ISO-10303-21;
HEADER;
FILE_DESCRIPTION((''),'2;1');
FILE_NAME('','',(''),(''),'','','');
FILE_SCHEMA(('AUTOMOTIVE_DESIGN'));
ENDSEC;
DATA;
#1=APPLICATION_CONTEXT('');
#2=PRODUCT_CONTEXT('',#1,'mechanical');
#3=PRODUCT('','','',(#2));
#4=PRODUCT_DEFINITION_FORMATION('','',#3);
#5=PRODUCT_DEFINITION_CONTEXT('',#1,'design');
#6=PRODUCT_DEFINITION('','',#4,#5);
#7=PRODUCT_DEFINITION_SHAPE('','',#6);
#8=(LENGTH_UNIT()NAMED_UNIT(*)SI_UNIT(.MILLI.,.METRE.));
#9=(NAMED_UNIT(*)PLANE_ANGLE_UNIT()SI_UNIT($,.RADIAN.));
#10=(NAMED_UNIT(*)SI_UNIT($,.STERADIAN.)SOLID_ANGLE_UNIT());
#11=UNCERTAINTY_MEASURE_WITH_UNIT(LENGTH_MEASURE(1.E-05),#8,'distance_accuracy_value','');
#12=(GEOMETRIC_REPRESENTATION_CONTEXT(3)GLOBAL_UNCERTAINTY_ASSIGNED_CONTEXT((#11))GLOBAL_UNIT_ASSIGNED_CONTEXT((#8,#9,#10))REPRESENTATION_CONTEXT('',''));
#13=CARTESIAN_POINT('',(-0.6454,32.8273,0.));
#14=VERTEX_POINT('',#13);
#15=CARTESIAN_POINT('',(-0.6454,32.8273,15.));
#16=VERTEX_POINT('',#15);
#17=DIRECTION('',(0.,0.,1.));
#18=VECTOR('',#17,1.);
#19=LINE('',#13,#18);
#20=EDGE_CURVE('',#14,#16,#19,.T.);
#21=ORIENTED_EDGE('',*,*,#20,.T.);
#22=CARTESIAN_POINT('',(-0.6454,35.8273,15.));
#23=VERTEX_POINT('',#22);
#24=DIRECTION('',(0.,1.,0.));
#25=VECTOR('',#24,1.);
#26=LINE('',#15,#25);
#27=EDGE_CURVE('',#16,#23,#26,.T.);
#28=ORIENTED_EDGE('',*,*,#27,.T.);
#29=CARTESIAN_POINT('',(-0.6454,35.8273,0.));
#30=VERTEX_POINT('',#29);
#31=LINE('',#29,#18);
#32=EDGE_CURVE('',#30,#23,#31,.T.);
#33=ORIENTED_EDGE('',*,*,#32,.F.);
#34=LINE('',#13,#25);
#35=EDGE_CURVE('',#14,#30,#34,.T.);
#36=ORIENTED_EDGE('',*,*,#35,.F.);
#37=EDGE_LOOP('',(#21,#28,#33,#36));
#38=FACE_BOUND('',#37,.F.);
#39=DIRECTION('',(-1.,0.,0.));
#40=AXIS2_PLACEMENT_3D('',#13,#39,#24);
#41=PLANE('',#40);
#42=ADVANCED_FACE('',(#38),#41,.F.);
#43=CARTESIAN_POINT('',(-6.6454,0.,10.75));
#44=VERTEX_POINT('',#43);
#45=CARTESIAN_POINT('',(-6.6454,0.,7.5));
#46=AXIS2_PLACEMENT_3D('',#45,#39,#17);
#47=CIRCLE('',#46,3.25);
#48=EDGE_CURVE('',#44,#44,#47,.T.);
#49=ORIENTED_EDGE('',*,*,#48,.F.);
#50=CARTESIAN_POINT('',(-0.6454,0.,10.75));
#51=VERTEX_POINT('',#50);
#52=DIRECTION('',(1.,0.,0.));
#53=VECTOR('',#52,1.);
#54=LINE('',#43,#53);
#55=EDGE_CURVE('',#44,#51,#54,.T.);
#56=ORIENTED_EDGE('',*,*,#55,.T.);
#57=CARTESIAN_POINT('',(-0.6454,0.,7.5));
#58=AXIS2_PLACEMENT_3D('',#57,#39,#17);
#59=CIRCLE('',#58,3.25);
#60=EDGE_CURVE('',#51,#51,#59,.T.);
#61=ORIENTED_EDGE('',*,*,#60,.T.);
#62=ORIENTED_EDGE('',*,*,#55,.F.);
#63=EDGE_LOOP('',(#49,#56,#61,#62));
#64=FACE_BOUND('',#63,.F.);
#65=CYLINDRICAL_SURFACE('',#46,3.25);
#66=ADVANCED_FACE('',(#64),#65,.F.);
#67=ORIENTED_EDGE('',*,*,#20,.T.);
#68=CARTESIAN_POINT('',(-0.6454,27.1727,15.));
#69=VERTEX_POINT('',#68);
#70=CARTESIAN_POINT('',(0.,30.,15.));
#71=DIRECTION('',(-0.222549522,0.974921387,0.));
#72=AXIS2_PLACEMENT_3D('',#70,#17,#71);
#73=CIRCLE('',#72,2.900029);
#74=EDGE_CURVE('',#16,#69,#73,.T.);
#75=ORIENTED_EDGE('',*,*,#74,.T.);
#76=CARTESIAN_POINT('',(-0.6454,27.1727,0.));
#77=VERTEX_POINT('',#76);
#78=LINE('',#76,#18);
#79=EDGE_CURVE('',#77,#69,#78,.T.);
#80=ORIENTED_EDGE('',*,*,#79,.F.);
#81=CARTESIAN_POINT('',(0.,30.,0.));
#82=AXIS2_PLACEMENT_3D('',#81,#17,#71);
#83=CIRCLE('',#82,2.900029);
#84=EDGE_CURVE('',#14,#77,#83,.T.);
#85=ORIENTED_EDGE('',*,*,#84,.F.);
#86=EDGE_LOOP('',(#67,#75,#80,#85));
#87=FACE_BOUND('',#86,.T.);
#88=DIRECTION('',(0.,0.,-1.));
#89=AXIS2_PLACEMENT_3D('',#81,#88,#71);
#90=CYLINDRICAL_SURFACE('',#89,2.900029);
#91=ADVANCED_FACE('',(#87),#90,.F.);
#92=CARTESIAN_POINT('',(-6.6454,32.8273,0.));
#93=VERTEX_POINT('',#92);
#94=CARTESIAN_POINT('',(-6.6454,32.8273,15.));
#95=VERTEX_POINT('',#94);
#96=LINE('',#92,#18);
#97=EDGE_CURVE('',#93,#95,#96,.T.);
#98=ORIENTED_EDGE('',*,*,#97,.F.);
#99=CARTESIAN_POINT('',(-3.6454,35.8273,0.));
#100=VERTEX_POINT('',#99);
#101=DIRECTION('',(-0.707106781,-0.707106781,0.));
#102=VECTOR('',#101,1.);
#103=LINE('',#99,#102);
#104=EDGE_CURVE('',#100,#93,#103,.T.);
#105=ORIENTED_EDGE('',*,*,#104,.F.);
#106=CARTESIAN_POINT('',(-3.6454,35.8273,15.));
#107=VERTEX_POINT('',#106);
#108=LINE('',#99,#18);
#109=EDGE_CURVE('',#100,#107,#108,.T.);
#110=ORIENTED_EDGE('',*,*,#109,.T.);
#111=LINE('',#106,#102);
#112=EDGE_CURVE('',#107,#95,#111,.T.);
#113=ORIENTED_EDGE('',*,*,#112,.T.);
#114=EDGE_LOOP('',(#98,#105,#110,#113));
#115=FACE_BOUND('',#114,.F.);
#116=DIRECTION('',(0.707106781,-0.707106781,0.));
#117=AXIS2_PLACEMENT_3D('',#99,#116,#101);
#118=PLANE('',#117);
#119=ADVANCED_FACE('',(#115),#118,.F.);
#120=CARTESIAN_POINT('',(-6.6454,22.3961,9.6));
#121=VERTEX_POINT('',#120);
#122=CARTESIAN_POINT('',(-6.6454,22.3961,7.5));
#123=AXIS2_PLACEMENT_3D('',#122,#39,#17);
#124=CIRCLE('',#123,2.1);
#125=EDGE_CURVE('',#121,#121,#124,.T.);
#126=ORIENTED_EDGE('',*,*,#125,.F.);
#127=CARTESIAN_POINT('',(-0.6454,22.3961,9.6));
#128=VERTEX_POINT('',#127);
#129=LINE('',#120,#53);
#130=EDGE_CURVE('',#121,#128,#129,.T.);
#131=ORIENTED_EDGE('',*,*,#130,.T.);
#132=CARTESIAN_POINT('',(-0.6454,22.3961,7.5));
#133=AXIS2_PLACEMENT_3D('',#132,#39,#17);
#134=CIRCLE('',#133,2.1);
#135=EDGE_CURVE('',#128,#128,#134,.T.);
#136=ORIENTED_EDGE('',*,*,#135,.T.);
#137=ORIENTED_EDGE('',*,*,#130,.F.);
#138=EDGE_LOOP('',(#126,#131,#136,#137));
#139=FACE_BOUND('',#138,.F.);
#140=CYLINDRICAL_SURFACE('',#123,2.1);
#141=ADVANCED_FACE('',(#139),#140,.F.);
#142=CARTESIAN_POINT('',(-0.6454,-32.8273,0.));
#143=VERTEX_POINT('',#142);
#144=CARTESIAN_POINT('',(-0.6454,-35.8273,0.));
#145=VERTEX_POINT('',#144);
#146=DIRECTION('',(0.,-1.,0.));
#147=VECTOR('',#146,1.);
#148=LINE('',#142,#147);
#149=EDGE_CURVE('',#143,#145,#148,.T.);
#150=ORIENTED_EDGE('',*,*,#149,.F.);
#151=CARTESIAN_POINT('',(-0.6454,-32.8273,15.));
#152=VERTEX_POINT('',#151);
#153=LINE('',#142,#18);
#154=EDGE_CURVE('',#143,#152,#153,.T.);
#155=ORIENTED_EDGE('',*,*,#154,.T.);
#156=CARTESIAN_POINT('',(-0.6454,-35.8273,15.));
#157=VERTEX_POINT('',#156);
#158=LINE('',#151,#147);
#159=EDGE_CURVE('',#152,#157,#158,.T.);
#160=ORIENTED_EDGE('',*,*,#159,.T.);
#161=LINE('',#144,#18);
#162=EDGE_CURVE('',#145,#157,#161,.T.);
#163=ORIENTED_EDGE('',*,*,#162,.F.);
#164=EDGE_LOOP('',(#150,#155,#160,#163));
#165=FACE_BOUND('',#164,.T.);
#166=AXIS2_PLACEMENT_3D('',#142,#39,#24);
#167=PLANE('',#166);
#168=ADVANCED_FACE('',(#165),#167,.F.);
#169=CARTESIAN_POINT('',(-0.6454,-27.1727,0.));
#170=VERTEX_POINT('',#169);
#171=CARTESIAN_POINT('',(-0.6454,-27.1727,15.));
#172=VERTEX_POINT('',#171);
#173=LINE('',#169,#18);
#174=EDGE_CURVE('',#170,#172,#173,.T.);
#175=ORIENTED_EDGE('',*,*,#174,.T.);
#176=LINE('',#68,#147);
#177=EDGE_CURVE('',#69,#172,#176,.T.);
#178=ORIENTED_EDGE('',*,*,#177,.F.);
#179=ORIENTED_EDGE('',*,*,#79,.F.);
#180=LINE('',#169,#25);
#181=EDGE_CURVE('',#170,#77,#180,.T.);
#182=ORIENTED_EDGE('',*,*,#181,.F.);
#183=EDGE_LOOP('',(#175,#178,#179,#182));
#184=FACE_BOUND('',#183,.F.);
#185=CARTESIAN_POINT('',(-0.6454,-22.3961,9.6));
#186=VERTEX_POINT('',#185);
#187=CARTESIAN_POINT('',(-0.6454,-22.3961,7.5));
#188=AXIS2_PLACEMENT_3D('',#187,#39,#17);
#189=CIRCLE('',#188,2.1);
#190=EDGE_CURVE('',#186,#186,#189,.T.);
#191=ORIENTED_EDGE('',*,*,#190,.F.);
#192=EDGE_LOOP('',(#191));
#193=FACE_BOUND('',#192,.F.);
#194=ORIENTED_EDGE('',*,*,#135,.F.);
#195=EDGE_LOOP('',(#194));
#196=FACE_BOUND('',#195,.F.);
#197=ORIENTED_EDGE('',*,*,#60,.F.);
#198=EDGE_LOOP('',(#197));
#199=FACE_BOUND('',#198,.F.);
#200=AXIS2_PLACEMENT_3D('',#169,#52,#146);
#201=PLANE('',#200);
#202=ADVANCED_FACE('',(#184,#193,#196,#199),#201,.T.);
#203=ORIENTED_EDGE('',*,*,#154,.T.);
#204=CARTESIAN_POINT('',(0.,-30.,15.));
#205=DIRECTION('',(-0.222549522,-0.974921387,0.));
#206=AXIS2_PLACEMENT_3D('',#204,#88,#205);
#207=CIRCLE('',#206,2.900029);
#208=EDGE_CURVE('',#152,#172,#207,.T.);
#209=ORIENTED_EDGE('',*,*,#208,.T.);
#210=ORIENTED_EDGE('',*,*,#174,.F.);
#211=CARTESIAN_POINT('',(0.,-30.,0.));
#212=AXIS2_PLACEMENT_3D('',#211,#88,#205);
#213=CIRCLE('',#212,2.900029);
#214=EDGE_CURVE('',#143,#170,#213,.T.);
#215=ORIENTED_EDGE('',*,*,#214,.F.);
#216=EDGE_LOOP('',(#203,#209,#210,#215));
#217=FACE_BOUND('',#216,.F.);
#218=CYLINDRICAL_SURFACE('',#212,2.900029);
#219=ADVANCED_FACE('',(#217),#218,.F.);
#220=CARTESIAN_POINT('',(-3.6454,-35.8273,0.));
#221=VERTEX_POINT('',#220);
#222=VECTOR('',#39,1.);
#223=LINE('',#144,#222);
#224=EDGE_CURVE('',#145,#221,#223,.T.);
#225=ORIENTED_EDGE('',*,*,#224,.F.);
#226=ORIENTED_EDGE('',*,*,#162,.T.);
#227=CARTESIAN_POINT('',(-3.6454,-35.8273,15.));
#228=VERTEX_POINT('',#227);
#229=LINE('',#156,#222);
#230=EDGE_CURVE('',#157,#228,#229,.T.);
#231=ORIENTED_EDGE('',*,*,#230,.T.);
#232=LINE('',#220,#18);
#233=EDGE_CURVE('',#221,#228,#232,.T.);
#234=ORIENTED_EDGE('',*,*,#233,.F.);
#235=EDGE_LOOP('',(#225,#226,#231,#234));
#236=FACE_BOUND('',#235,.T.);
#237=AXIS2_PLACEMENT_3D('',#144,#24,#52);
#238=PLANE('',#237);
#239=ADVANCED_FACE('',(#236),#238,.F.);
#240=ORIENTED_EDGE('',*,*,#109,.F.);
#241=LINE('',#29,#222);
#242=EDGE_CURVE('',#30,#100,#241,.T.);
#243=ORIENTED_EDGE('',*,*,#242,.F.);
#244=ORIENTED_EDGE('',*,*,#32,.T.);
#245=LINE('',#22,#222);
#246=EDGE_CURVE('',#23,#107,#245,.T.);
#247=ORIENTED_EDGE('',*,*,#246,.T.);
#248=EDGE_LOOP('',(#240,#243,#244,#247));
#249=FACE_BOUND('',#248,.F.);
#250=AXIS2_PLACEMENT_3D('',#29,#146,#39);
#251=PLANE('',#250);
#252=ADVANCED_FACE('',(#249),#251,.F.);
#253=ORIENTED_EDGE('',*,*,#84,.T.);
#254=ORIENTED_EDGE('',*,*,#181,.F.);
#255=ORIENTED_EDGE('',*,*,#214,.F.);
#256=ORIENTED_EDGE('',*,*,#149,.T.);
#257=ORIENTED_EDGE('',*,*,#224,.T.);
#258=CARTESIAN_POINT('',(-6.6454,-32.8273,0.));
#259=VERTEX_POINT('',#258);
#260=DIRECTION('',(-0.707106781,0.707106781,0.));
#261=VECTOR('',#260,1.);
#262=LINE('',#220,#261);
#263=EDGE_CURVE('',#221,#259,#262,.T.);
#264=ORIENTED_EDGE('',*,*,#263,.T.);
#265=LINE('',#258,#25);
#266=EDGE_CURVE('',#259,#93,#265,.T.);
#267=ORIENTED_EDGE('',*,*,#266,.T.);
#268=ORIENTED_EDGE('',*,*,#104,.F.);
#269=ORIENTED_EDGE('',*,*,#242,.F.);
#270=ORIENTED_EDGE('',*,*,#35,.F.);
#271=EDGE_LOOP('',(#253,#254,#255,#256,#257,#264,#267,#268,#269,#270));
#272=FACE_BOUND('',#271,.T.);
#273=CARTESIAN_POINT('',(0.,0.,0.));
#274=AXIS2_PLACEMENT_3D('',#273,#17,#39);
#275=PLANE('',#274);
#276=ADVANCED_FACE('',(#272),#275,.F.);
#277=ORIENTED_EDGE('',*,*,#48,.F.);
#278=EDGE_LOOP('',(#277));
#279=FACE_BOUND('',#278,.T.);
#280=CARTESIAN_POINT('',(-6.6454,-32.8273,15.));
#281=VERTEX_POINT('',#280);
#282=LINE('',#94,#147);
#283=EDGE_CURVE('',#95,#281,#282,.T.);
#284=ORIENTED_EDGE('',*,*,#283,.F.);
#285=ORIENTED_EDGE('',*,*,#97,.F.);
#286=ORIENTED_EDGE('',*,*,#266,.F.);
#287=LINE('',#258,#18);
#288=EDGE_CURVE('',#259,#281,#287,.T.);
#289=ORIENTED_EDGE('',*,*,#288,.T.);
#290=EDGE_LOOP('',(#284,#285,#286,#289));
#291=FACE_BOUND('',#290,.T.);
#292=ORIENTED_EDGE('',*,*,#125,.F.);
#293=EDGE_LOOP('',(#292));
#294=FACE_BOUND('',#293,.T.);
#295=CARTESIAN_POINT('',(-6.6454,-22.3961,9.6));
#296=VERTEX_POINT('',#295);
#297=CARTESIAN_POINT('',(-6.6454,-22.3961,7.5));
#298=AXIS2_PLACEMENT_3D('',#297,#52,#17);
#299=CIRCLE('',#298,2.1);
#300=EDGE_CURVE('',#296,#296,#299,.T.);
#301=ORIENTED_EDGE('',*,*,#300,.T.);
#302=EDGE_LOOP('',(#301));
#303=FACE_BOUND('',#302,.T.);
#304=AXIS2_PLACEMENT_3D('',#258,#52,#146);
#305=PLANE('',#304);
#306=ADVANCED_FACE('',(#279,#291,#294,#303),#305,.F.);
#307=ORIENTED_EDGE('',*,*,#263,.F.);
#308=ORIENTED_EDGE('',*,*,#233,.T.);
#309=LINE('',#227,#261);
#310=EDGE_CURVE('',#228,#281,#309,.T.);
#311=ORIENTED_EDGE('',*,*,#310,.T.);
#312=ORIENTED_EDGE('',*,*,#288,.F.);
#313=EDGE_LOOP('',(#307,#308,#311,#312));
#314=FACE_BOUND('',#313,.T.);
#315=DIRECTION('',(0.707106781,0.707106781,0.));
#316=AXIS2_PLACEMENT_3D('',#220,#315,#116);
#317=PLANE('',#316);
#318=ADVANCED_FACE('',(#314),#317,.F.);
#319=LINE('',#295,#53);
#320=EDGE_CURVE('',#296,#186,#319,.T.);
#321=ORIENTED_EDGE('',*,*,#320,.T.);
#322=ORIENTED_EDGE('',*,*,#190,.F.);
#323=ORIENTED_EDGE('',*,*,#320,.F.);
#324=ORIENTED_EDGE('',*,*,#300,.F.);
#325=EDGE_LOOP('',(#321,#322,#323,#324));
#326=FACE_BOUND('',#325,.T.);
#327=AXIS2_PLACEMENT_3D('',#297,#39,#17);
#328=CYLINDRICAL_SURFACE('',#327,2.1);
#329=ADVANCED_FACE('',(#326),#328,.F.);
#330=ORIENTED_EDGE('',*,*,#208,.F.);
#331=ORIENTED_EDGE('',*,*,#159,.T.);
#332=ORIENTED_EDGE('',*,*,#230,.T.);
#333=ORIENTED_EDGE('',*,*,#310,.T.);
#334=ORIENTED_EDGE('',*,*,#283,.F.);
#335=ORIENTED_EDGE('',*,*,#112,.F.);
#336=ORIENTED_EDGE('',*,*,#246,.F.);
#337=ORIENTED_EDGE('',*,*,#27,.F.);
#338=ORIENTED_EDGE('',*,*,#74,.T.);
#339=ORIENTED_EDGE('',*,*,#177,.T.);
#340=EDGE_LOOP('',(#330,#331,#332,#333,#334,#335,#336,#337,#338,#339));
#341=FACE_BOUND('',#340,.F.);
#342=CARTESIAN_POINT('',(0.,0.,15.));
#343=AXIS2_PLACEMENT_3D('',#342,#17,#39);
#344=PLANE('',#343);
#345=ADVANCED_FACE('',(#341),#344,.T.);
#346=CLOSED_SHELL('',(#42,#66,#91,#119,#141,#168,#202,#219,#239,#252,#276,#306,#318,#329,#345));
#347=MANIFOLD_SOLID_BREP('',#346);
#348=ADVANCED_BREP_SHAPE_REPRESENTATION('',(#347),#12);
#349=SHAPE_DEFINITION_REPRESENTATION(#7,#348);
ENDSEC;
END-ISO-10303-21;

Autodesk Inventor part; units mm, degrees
ref_plane "YZ Plane" through (0, 0, 0) normal (1, 0, 0) x (0, 1, 0)
ref_plane "XZ Plane" through (0, 0, 0) normal (0, 1, 0) x (-1, 0, 0)
ref_plane "XY Plane" through (0, 0, 0) normal (0, 0, 1) x (1, 0, 0)
sketch "Szkic1" plane through (0, 0, 0) normal (0, 0, 1) x (1, 0, 0)
  circle A0 centre (0, 30) radius 3 construction
  arc A1 (-0.6454, 32.8273) -> (-0.6454, 27.1727) centre (0, 30) ccw
  line L0 (-0.6454, 27.1727) -> (-0.6454, 0)
  line L1 (-0.6454, 32.8273) -> (-0.6454, 35.8273)
  line L2 (-0.6454, 35.8273) -> (-3.6454, 35.8273)
  line L3 (-3.6454, 35.8273) -> (-6.6454, 32.8273)
  line L4 (-6.6454, 32.8273) -> (-6.6454, 0)
  line L5 (-0.6454, 0) -> (-6.6454, 0)
  point P0 (0, 0)
  dimension "d0" = 6
  dimension "d1" = 30
  dimension "d2" = 5.8
  dimension "d3" = 3
  dimension "d4" = 45
  dimension "d5" = 3
  dimension "d6" = 3
extrude "Wyciągnięcie proste1" add sketch "Szkic1" along normal blind 15
sketch "Szkic2" plane through (-6.6454, 0, 0) normal (-1, 0, 0) x (0, 0, 1)
  circle A0 centre (7.5, 22.3961) radius 2.1
  line L0 (0, 32.8273) -> (15, 32.8273) projected
  point P0 (0, 0)
  point P1 (7.5, 32.8273)
  dimension "d9" = 4.2
extrude "Wyciągnięcie proste2" cut sketch "Szkic2" against normal blind 8
mirror "Odbij1" about plane through (-6.6454, 0, 0) normal (0, -1, 0) of "Wyciągnięcie proste1", "Wyciągnięcie proste2"
sketch "Szkic3" plane through (-6.6454, 32.8273, 0) normal (-1, 0, 0) x (0, 0, 1)
  circle A0 centre (7.5, -32.8273) radius 3.25
  line L0 (0, 3) -> (15, 3) projected
  line L1 (0, 0) -> (0, -65.6545) projected
  point P0 (0, -32.8273)
  point P1 (7.5, 3)
  point P2 (0, -32.8273)
  point P3 (0, -32.8273)
  dimension "d12" = 6.5
extrude "Wyciągnięcie proste3" cut sketch "Szkic3" against normal through all
properties part number "6xMounting_clamp"
